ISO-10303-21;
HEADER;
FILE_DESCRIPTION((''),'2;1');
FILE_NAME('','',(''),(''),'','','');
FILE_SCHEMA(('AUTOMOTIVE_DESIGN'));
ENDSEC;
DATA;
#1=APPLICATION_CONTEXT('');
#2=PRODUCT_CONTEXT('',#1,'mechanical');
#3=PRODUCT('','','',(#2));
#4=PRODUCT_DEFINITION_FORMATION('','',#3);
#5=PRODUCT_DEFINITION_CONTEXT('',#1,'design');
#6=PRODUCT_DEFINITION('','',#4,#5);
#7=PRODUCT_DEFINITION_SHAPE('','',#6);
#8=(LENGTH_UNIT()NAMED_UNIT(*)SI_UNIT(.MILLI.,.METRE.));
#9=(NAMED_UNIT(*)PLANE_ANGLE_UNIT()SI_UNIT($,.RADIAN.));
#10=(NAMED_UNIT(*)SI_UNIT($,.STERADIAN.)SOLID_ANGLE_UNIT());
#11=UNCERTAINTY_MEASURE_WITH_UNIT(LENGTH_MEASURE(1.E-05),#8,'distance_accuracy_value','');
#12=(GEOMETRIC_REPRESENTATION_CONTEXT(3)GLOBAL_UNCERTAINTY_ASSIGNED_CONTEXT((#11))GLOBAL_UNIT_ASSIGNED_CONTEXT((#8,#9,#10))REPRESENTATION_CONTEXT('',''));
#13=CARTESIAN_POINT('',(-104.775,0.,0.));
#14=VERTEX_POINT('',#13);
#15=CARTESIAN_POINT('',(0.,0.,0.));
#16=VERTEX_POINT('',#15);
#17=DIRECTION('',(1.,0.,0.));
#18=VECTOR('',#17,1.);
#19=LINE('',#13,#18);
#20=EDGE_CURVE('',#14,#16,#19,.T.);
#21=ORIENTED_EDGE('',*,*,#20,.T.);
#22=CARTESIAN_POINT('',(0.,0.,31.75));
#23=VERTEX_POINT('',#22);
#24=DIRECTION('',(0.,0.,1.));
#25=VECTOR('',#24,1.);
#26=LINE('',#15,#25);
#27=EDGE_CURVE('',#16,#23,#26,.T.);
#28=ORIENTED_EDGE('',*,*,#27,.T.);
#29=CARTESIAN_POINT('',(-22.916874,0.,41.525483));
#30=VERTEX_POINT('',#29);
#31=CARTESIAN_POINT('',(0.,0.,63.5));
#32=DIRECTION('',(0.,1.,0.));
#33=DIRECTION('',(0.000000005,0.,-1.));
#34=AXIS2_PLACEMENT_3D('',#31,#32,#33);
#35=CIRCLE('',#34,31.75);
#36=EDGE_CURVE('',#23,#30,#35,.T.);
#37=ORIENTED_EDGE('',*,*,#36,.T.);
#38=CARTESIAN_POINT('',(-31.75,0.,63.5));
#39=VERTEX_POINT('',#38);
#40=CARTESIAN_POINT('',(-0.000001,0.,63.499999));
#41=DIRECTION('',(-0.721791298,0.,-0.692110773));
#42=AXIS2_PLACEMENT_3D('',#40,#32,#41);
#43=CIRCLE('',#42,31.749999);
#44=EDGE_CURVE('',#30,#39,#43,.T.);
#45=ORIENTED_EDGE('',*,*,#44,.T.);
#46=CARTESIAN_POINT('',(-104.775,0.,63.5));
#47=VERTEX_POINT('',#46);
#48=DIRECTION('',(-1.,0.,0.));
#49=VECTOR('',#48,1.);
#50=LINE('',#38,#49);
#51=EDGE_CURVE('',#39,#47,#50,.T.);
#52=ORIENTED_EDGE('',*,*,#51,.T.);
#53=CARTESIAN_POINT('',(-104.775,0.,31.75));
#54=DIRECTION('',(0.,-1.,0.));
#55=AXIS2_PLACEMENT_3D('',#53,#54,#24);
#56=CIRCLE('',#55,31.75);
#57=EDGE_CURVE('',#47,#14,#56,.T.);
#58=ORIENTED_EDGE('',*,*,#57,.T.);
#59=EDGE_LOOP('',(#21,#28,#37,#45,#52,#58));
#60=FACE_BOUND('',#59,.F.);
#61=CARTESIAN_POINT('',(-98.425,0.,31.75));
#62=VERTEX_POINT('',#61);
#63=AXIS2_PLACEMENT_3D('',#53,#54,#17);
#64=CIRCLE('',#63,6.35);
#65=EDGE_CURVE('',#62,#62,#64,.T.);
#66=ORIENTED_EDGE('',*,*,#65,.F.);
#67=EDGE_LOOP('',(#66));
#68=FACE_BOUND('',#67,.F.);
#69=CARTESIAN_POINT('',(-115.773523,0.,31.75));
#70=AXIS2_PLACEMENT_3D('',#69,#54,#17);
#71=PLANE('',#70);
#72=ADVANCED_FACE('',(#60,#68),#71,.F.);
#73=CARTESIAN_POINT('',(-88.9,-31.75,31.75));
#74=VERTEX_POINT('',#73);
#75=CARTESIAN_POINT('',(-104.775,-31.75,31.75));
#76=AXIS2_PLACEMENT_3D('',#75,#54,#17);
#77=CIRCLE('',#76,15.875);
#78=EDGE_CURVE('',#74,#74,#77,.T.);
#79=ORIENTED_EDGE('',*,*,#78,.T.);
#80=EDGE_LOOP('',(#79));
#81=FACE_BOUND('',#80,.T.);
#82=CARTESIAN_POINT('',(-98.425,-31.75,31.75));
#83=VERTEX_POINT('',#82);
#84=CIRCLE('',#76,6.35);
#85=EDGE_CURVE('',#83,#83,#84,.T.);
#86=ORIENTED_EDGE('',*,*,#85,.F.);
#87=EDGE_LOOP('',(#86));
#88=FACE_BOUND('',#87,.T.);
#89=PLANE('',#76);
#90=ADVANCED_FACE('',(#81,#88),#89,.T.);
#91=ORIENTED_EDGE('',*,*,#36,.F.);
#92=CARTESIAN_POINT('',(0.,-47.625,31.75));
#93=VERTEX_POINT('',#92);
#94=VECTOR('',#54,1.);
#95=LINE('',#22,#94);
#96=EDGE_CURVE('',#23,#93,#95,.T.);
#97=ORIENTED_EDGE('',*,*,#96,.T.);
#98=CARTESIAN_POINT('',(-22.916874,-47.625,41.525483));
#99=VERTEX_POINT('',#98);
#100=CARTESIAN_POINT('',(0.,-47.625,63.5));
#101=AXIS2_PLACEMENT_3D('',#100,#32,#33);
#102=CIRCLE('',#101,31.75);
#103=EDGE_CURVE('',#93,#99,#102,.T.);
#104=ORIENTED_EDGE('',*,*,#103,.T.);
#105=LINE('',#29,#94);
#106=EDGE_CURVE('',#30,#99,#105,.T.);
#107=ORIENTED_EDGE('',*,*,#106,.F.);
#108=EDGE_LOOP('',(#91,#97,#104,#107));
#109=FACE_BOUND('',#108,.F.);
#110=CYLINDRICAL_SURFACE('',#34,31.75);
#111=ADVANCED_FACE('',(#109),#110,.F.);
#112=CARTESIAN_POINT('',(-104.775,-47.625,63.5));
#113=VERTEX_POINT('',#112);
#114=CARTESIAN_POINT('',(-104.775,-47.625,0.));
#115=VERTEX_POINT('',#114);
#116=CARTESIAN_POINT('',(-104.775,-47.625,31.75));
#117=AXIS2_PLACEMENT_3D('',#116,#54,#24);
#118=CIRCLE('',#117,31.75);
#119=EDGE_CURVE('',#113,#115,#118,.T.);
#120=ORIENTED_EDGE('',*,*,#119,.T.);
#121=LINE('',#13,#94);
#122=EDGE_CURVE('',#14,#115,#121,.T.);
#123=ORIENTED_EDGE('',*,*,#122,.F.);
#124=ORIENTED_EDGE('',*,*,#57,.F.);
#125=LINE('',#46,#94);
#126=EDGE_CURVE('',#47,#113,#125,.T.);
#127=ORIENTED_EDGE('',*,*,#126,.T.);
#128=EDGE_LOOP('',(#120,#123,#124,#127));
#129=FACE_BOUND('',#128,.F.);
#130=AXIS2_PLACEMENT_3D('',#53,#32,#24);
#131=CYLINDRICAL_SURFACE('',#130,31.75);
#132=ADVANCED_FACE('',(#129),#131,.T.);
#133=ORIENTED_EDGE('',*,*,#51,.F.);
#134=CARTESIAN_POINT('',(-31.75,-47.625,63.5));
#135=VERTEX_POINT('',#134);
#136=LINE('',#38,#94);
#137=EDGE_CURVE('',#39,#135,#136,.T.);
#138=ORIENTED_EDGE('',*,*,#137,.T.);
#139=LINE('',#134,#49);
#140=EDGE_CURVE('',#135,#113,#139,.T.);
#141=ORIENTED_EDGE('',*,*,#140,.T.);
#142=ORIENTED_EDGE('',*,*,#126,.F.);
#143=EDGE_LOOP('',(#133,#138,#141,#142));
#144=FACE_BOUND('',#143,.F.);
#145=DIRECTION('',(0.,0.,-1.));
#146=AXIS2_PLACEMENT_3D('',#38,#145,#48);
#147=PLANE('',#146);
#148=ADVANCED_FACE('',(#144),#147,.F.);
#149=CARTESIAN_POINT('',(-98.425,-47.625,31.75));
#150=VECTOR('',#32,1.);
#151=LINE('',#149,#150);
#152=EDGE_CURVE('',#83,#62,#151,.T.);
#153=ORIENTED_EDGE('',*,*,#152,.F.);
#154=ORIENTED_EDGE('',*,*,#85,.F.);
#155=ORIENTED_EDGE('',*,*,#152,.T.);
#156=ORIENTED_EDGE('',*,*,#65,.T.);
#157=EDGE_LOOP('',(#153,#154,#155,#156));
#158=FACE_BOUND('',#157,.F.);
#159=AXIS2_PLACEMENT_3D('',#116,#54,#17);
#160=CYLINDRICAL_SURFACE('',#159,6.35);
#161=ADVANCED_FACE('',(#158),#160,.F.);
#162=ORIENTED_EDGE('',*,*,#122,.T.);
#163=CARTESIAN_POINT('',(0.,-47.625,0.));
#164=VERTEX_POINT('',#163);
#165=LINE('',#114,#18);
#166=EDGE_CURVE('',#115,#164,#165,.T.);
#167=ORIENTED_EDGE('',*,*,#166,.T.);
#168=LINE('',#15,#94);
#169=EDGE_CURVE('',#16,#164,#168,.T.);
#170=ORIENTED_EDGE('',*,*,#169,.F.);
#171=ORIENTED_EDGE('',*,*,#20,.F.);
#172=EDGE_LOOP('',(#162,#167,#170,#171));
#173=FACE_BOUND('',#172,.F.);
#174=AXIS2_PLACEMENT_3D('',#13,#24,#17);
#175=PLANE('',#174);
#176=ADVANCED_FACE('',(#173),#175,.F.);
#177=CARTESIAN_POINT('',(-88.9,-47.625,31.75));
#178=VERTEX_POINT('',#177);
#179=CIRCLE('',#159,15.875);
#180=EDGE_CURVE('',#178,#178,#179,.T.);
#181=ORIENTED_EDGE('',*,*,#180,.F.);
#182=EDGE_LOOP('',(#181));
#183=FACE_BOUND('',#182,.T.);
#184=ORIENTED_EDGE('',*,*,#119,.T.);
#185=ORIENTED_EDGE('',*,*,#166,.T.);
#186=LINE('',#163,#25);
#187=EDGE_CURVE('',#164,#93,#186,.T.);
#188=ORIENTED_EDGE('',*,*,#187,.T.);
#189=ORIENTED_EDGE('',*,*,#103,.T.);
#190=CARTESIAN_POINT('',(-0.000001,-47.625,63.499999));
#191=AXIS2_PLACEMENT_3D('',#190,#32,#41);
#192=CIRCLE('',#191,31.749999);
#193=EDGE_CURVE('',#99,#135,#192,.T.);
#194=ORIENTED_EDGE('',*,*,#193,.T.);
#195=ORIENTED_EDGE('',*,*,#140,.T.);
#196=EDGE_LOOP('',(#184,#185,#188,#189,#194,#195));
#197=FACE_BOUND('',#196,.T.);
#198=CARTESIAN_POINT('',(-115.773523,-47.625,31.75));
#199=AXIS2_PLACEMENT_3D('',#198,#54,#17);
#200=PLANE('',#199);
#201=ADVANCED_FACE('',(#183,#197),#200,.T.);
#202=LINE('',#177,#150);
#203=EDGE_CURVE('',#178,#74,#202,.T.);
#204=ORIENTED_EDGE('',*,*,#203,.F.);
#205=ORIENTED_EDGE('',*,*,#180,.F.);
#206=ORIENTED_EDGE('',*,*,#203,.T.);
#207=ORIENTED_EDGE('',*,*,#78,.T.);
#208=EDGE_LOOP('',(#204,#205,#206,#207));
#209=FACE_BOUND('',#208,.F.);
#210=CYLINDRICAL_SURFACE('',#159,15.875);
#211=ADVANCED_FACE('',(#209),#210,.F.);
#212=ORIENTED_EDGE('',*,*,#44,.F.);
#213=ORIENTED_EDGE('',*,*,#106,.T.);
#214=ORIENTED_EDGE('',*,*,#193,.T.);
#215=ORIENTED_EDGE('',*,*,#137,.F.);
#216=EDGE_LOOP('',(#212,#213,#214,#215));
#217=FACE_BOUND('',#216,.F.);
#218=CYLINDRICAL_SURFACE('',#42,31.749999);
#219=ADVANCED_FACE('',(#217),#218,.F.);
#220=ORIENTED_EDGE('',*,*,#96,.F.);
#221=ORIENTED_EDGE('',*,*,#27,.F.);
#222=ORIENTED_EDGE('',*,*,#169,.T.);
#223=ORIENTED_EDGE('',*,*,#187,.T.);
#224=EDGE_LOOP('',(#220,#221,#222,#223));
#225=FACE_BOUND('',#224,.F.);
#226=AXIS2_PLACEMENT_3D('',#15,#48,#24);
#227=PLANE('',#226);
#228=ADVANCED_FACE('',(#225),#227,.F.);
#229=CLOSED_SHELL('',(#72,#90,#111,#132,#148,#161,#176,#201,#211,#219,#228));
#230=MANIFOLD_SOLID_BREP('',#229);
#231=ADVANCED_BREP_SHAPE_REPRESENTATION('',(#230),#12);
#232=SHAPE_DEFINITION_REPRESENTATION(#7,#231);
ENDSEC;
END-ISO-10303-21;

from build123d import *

# Parameters (mm, degrees)
F1_DEPTH = 47.625
F2_R     = 6.35
F3_DEPTH = 47.625
F4_R     = 15.875
F4_R_2   = 6.35
F5_DEPTH = 15.875


with BuildPart() as f1:
    # F0 (on Front) → F1 (new body)
    with BuildSketch(Plane.XZ):
        with BuildLine():
            ThreePointArc((-104.775, 63.5), (-136.525, 31.75), (-104.775, 0))
            Line((-104.775, 0), (-104.775, 63.5))
        make_face()
        with BuildLine():
            Line((-104.775, 0), (0, 0))
            Line((0, 0), (0, 31.75))
            ThreePointArc((0, 31.75), (-12.457359, 34.295947), (-22.916874, 41.525483))
            ThreePointArc((-22.916874, 41.525483), (-29.459067, 51.658299), (-31.75, 63.5))
            Line((-31.75, 63.5), (-104.775, 63.5))
            Line((-104.775, 63.5), (-104.775, 0))
        make_face()
    extrude(amount=F1_DEPTH)

    # F2 (on face) → F3 (cut)
    with BuildSketch(Plane.XZ.offset(47.625)):
        with Locations((-104.775, 31.75)):
            Circle(F2_R)
    extrude(amount=-F3_DEPTH, mode=Mode.SUBTRACT)

    # F4 (on face) → F5 (cut)
    with BuildSketch(Plane.XZ.offset(47.625)):
        with Locations((-104.775, 31.75)):
            Circle(F4_R)
        with Locations((-104.775, 31.75)):
            Circle(F4_R_2, mode=Mode.SUBTRACT)
    extrude(amount=-F5_DEPTH, mode=Mode.SUBTRACT)


solid = f1.part
